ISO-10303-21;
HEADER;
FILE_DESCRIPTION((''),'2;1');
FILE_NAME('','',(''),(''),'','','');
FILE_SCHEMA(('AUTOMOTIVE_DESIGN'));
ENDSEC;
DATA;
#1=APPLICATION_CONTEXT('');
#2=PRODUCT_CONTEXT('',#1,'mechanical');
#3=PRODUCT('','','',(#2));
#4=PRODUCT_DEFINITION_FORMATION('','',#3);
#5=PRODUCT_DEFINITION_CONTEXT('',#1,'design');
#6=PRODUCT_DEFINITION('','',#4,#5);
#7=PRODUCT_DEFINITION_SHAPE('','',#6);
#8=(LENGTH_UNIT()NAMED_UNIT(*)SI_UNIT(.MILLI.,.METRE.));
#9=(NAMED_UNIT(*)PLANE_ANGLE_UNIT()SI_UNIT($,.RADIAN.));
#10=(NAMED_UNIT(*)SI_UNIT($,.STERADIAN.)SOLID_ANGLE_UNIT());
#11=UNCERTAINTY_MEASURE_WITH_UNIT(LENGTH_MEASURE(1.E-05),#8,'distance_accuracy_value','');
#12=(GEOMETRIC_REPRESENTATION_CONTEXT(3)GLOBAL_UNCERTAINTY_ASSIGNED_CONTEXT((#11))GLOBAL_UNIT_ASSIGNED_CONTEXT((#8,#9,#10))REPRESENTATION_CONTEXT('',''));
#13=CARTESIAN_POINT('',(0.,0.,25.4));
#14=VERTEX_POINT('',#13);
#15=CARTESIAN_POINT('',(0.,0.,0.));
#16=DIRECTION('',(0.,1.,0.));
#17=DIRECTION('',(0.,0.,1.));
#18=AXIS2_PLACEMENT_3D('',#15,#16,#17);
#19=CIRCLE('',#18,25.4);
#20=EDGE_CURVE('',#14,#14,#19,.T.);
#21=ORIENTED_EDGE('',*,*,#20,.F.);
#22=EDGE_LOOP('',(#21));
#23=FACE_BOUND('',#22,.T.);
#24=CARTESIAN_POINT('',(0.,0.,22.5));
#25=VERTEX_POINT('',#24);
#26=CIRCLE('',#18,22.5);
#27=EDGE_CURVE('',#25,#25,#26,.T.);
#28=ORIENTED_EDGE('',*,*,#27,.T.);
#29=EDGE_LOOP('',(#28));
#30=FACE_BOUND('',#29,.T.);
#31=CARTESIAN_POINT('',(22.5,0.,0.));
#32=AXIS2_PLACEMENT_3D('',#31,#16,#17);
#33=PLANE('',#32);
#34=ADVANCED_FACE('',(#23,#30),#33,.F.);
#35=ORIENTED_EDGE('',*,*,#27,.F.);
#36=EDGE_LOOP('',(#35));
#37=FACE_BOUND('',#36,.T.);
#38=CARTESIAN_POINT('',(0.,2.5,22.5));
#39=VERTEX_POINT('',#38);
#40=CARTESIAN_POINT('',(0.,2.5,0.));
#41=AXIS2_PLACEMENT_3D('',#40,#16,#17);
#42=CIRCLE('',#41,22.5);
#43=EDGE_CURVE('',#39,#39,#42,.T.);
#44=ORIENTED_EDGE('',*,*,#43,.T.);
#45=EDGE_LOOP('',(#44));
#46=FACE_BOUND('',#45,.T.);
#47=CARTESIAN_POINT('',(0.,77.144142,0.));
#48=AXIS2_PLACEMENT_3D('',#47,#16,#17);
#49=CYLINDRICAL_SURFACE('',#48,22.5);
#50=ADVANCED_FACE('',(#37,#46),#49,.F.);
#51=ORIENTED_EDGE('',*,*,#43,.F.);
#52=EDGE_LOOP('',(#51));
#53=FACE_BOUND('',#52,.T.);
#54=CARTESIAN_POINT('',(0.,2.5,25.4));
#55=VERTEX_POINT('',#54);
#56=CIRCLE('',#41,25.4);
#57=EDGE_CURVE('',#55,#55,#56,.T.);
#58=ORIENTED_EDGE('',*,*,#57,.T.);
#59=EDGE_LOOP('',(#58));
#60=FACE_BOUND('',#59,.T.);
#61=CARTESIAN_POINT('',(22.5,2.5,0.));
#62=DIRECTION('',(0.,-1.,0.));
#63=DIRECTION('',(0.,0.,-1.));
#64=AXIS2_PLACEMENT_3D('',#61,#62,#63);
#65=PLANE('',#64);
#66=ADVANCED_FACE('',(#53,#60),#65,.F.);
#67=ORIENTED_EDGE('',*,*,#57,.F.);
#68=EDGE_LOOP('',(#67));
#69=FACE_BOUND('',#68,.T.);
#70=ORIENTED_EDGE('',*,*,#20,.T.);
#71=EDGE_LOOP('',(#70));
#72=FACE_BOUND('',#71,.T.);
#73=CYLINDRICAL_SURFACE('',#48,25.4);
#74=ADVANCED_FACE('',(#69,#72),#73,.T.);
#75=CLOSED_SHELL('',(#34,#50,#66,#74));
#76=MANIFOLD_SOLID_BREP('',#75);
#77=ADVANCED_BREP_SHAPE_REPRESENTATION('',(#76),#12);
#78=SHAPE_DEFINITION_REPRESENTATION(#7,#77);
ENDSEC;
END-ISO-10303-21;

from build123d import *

# Parameters (mm, degrees)
SKETCH_1_W = 2.9
SKETCH_1_H = 2.5


with BuildPart() as part:
    # 草图1 → 旋转1 (revolve)
    with BuildSketch(Plane.XY, mode=Mode.PRIVATE) as revolve_1_sk:
        with Locations((23.95, 1.25)):
            Rectangle(SKETCH_1_W, SKETCH_1_H)
    revolve(revolve_1_sk.sketch.rotate(Axis((0, 77.144142266, 0), (0, -1, 0)), 90), axis=Axis((0, 77.144142266, 0), (0, -1, 0)))  # turned: the seam where the file's is


solid = part.part
